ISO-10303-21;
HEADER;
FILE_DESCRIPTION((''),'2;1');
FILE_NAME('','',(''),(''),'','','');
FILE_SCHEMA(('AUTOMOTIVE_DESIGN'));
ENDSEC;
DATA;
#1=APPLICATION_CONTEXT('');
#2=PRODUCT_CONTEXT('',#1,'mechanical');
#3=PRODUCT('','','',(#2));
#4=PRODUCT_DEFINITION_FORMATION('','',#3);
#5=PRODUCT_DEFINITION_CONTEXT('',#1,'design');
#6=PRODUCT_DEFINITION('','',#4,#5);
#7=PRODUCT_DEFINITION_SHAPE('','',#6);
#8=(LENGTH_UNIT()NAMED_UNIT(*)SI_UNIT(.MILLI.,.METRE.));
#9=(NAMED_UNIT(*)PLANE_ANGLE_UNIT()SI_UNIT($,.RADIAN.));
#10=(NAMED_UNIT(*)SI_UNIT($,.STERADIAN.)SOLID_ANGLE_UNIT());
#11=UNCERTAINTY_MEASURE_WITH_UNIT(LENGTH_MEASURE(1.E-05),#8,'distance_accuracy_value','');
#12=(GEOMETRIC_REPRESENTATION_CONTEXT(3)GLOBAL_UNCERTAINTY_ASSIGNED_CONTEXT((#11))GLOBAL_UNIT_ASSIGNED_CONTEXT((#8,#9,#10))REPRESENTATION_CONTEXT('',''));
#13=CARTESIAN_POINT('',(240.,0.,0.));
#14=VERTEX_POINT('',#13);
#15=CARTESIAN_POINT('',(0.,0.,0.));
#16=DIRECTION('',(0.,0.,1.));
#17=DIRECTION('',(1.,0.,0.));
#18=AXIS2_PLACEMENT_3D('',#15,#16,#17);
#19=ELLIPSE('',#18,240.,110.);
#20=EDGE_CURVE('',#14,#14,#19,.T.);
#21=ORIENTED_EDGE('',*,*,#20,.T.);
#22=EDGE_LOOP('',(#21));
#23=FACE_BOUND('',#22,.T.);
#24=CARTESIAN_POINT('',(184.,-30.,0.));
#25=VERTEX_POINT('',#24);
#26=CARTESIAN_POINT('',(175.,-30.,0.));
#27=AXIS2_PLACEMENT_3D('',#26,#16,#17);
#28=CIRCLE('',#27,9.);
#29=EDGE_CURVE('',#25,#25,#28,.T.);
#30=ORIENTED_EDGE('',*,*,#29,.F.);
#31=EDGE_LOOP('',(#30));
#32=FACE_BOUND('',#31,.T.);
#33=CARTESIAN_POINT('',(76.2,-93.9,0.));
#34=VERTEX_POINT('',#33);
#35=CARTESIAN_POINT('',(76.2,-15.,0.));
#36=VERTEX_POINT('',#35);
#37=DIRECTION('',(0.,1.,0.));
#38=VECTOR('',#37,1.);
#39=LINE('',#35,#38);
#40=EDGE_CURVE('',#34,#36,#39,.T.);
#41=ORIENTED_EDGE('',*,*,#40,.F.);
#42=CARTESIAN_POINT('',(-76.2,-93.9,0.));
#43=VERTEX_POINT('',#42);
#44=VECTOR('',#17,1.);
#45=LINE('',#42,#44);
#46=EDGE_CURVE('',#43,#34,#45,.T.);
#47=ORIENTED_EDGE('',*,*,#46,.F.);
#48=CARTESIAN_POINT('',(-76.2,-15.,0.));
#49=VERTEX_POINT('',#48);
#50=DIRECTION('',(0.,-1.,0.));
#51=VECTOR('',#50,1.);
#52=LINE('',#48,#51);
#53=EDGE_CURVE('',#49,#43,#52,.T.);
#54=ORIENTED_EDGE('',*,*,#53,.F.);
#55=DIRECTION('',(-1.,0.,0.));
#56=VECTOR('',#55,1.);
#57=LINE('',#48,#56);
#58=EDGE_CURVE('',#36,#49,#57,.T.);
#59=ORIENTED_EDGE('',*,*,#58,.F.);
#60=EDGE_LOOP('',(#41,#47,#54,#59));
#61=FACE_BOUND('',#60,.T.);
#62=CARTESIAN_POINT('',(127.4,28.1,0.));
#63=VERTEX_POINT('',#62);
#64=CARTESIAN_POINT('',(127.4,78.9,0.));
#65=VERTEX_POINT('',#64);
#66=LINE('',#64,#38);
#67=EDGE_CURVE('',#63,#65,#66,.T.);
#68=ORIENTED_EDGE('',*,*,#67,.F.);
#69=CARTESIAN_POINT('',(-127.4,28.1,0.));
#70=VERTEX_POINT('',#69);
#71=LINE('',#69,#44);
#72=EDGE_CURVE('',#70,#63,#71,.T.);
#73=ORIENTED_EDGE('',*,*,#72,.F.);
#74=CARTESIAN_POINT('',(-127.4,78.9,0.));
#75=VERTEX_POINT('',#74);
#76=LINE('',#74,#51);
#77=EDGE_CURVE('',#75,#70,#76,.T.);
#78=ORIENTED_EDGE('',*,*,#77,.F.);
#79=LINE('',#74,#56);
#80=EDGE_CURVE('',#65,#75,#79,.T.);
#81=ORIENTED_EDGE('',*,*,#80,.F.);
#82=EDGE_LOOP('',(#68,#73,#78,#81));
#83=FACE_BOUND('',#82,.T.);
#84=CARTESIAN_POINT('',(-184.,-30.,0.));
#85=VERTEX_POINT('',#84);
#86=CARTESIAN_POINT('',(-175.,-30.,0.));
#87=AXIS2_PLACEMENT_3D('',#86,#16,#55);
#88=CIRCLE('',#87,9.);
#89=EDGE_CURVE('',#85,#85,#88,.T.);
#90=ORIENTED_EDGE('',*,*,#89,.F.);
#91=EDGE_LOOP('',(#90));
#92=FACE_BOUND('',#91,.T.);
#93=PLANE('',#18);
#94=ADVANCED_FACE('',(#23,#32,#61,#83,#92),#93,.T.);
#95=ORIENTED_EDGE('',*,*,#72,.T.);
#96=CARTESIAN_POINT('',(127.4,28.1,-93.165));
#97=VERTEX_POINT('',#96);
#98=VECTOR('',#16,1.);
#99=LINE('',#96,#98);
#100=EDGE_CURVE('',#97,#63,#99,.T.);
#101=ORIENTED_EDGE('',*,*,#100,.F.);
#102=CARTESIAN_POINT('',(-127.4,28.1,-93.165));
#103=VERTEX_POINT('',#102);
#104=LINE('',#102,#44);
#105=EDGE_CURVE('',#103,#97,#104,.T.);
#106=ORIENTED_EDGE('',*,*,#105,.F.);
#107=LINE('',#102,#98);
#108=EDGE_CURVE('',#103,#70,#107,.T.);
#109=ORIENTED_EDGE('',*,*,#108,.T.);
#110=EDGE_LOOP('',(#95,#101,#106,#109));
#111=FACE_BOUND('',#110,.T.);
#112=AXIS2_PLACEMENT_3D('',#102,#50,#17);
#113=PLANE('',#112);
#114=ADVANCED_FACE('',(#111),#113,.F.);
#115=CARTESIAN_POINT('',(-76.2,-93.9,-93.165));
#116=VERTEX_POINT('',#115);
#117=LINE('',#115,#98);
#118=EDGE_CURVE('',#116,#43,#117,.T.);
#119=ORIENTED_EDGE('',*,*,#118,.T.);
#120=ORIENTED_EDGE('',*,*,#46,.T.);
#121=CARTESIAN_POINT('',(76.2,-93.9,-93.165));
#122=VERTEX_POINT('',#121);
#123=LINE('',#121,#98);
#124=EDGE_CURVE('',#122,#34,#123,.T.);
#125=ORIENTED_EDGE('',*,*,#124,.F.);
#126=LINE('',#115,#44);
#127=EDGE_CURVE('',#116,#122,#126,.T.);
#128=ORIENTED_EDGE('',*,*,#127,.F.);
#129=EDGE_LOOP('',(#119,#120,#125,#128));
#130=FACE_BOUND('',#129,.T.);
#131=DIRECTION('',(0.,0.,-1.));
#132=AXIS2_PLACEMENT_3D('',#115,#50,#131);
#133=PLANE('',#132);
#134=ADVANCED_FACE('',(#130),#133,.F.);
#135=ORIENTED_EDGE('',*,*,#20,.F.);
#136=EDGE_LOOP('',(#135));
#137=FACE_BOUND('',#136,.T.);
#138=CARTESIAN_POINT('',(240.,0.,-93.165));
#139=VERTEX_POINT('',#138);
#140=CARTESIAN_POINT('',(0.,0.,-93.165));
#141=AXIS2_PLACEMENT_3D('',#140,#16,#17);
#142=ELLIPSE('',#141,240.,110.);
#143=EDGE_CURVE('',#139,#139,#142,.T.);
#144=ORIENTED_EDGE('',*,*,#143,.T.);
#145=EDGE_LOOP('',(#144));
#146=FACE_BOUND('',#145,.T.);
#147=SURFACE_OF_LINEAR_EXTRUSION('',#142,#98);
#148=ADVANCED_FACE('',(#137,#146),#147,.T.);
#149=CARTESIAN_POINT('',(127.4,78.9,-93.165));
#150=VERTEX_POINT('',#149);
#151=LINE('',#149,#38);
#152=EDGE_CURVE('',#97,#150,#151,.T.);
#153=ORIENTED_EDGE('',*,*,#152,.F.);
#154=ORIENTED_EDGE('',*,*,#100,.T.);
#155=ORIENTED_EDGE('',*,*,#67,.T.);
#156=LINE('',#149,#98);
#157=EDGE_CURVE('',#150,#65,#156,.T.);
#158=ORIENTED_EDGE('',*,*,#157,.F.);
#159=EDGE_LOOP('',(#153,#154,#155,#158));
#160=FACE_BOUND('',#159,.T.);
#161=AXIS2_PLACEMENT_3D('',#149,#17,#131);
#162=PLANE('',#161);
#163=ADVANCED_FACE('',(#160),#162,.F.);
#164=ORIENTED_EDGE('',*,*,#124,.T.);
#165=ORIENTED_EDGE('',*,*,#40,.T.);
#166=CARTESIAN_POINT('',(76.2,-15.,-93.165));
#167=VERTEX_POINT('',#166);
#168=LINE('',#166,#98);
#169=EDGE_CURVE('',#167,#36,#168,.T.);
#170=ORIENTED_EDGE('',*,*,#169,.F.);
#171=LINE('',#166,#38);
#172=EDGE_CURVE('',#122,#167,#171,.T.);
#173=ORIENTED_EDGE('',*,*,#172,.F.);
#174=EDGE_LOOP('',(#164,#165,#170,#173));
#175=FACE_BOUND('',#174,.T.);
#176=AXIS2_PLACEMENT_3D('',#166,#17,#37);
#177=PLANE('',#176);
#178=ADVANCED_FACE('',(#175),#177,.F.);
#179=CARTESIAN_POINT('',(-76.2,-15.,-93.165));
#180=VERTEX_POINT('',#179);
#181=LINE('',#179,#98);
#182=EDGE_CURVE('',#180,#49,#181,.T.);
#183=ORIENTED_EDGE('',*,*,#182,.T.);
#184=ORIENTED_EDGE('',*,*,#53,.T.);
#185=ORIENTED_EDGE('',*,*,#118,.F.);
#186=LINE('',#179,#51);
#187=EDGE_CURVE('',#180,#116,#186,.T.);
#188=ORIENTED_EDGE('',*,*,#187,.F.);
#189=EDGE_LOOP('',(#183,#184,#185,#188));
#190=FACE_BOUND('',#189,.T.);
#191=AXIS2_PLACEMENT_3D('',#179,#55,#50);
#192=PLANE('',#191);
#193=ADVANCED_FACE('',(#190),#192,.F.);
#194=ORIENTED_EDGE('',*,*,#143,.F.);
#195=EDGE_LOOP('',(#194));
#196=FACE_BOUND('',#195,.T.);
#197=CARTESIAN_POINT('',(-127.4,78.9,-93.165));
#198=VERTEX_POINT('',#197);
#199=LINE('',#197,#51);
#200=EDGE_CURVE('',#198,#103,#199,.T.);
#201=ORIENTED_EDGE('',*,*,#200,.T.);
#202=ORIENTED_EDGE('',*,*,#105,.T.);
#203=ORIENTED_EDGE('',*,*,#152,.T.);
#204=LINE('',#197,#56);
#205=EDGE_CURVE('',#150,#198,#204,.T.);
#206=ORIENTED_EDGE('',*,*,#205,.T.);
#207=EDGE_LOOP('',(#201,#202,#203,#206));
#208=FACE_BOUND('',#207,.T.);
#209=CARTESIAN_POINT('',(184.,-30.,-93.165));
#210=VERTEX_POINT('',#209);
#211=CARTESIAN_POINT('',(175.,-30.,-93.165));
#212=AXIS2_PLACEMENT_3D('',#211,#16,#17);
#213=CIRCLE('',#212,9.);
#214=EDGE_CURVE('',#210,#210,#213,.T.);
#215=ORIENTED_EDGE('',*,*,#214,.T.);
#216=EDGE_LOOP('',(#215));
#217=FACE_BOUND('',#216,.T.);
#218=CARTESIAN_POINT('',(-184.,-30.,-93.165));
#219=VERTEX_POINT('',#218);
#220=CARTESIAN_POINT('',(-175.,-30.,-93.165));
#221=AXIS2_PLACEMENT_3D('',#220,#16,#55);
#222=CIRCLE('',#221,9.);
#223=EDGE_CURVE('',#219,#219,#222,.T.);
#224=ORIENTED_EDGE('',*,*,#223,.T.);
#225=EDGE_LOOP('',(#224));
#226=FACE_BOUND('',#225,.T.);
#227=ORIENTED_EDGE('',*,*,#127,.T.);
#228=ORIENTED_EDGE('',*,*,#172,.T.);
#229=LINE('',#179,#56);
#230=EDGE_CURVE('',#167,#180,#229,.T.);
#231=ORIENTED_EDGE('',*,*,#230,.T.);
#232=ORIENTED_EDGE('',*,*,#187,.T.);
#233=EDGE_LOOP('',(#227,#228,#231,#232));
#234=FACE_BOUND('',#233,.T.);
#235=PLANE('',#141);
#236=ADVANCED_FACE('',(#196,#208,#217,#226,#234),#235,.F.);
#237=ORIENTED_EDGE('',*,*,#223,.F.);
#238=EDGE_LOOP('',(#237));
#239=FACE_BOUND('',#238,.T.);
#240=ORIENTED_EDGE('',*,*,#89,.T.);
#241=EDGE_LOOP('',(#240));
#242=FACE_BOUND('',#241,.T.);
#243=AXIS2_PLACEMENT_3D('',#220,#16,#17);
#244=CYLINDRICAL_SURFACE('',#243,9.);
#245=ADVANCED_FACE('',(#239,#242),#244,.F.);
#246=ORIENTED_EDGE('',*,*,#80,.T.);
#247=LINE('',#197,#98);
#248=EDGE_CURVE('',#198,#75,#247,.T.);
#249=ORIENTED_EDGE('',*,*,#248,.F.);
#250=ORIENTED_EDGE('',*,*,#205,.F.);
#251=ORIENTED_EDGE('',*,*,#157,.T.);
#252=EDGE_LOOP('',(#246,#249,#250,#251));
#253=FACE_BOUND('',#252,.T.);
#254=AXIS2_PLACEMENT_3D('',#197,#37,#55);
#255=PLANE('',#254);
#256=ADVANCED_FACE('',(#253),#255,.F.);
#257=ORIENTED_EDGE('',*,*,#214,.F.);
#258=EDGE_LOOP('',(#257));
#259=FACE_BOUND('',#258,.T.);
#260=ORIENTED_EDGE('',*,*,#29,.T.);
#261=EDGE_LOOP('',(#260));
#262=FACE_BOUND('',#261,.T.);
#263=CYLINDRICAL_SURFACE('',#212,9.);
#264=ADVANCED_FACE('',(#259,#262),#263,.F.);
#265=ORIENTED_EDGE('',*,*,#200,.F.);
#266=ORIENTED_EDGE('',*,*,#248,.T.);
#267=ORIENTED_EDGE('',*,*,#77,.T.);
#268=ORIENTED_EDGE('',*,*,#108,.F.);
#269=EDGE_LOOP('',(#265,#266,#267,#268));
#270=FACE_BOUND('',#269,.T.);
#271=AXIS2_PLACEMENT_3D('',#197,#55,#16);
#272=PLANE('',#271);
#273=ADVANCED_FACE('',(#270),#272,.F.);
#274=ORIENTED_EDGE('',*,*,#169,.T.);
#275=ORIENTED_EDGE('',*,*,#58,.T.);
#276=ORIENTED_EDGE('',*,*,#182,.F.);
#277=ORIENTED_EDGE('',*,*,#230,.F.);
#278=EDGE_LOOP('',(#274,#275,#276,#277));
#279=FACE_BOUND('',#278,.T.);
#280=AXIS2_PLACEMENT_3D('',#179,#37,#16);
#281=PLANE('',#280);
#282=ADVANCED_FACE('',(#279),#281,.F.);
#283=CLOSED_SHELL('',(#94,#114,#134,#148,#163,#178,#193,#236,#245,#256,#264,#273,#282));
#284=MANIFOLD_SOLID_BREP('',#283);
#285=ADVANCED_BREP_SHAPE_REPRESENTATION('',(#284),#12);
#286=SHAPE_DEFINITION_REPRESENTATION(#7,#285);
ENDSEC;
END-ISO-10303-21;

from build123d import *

# Parameters (mm, degrees)
SKETCH1_RX          = 240
SKETCH1_RY          = 110
BOSS_EXTRUDE1_DEPTH = 93.165
SKETCH10_W          = 254.8
SKETCH10_H          = 50.8
CUT_EXTRUDE5_DEPTH  = 280.963778416
SKETCH13_W          = 152.4
SKETCH13_H          = 78.9
CUT_EXTRUDE7_DEPTH  = 280.963778416
SKETCH12_R          = 9
CUT_EXTRUDE8_DEPTH  = 280.963778416


with BuildPart() as part:
    # Sketch1 → Boss-Extrude1 (new body)
    with BuildSketch(Plane.XY):
        with Locations((0, 0)):
            Ellipse(SKETCH1_RX, SKETCH1_RY)
    extrude(amount=-BOSS_EXTRUDE1_DEPTH)

    # Sketch10 → Cut-Extrude5 (cut, through all)
    with BuildSketch(Plane.XY):
        with Locations((0, 53.5)):
            Rectangle(SKETCH10_W, SKETCH10_H)
    extrude(amount=-CUT_EXTRUDE5_DEPTH, mode=Mode.SUBTRACT)

    # Sketch13 → Cut-Extrude7 (cut, through all)
    with BuildSketch(Plane.XY):
        with Locations((0, -54.45)):
            Rectangle(SKETCH13_W, SKETCH13_H)
    extrude(amount=-CUT_EXTRUDE7_DEPTH, mode=Mode.SUBTRACT)

    # Sketch12 → Cut-Extrude8 (cut, through all)
    with BuildSketch(Plane.XY):
        with Locations((175, -30)):
            Circle(SKETCH12_R)
        with Locations(Location((-175, -30, 0), (0, 0, 180))):
            Circle(SKETCH12_R)
    extrude(amount=-CUT_EXTRUDE8_DEPTH, mode=Mode.SUBTRACT)


solid = part.part
